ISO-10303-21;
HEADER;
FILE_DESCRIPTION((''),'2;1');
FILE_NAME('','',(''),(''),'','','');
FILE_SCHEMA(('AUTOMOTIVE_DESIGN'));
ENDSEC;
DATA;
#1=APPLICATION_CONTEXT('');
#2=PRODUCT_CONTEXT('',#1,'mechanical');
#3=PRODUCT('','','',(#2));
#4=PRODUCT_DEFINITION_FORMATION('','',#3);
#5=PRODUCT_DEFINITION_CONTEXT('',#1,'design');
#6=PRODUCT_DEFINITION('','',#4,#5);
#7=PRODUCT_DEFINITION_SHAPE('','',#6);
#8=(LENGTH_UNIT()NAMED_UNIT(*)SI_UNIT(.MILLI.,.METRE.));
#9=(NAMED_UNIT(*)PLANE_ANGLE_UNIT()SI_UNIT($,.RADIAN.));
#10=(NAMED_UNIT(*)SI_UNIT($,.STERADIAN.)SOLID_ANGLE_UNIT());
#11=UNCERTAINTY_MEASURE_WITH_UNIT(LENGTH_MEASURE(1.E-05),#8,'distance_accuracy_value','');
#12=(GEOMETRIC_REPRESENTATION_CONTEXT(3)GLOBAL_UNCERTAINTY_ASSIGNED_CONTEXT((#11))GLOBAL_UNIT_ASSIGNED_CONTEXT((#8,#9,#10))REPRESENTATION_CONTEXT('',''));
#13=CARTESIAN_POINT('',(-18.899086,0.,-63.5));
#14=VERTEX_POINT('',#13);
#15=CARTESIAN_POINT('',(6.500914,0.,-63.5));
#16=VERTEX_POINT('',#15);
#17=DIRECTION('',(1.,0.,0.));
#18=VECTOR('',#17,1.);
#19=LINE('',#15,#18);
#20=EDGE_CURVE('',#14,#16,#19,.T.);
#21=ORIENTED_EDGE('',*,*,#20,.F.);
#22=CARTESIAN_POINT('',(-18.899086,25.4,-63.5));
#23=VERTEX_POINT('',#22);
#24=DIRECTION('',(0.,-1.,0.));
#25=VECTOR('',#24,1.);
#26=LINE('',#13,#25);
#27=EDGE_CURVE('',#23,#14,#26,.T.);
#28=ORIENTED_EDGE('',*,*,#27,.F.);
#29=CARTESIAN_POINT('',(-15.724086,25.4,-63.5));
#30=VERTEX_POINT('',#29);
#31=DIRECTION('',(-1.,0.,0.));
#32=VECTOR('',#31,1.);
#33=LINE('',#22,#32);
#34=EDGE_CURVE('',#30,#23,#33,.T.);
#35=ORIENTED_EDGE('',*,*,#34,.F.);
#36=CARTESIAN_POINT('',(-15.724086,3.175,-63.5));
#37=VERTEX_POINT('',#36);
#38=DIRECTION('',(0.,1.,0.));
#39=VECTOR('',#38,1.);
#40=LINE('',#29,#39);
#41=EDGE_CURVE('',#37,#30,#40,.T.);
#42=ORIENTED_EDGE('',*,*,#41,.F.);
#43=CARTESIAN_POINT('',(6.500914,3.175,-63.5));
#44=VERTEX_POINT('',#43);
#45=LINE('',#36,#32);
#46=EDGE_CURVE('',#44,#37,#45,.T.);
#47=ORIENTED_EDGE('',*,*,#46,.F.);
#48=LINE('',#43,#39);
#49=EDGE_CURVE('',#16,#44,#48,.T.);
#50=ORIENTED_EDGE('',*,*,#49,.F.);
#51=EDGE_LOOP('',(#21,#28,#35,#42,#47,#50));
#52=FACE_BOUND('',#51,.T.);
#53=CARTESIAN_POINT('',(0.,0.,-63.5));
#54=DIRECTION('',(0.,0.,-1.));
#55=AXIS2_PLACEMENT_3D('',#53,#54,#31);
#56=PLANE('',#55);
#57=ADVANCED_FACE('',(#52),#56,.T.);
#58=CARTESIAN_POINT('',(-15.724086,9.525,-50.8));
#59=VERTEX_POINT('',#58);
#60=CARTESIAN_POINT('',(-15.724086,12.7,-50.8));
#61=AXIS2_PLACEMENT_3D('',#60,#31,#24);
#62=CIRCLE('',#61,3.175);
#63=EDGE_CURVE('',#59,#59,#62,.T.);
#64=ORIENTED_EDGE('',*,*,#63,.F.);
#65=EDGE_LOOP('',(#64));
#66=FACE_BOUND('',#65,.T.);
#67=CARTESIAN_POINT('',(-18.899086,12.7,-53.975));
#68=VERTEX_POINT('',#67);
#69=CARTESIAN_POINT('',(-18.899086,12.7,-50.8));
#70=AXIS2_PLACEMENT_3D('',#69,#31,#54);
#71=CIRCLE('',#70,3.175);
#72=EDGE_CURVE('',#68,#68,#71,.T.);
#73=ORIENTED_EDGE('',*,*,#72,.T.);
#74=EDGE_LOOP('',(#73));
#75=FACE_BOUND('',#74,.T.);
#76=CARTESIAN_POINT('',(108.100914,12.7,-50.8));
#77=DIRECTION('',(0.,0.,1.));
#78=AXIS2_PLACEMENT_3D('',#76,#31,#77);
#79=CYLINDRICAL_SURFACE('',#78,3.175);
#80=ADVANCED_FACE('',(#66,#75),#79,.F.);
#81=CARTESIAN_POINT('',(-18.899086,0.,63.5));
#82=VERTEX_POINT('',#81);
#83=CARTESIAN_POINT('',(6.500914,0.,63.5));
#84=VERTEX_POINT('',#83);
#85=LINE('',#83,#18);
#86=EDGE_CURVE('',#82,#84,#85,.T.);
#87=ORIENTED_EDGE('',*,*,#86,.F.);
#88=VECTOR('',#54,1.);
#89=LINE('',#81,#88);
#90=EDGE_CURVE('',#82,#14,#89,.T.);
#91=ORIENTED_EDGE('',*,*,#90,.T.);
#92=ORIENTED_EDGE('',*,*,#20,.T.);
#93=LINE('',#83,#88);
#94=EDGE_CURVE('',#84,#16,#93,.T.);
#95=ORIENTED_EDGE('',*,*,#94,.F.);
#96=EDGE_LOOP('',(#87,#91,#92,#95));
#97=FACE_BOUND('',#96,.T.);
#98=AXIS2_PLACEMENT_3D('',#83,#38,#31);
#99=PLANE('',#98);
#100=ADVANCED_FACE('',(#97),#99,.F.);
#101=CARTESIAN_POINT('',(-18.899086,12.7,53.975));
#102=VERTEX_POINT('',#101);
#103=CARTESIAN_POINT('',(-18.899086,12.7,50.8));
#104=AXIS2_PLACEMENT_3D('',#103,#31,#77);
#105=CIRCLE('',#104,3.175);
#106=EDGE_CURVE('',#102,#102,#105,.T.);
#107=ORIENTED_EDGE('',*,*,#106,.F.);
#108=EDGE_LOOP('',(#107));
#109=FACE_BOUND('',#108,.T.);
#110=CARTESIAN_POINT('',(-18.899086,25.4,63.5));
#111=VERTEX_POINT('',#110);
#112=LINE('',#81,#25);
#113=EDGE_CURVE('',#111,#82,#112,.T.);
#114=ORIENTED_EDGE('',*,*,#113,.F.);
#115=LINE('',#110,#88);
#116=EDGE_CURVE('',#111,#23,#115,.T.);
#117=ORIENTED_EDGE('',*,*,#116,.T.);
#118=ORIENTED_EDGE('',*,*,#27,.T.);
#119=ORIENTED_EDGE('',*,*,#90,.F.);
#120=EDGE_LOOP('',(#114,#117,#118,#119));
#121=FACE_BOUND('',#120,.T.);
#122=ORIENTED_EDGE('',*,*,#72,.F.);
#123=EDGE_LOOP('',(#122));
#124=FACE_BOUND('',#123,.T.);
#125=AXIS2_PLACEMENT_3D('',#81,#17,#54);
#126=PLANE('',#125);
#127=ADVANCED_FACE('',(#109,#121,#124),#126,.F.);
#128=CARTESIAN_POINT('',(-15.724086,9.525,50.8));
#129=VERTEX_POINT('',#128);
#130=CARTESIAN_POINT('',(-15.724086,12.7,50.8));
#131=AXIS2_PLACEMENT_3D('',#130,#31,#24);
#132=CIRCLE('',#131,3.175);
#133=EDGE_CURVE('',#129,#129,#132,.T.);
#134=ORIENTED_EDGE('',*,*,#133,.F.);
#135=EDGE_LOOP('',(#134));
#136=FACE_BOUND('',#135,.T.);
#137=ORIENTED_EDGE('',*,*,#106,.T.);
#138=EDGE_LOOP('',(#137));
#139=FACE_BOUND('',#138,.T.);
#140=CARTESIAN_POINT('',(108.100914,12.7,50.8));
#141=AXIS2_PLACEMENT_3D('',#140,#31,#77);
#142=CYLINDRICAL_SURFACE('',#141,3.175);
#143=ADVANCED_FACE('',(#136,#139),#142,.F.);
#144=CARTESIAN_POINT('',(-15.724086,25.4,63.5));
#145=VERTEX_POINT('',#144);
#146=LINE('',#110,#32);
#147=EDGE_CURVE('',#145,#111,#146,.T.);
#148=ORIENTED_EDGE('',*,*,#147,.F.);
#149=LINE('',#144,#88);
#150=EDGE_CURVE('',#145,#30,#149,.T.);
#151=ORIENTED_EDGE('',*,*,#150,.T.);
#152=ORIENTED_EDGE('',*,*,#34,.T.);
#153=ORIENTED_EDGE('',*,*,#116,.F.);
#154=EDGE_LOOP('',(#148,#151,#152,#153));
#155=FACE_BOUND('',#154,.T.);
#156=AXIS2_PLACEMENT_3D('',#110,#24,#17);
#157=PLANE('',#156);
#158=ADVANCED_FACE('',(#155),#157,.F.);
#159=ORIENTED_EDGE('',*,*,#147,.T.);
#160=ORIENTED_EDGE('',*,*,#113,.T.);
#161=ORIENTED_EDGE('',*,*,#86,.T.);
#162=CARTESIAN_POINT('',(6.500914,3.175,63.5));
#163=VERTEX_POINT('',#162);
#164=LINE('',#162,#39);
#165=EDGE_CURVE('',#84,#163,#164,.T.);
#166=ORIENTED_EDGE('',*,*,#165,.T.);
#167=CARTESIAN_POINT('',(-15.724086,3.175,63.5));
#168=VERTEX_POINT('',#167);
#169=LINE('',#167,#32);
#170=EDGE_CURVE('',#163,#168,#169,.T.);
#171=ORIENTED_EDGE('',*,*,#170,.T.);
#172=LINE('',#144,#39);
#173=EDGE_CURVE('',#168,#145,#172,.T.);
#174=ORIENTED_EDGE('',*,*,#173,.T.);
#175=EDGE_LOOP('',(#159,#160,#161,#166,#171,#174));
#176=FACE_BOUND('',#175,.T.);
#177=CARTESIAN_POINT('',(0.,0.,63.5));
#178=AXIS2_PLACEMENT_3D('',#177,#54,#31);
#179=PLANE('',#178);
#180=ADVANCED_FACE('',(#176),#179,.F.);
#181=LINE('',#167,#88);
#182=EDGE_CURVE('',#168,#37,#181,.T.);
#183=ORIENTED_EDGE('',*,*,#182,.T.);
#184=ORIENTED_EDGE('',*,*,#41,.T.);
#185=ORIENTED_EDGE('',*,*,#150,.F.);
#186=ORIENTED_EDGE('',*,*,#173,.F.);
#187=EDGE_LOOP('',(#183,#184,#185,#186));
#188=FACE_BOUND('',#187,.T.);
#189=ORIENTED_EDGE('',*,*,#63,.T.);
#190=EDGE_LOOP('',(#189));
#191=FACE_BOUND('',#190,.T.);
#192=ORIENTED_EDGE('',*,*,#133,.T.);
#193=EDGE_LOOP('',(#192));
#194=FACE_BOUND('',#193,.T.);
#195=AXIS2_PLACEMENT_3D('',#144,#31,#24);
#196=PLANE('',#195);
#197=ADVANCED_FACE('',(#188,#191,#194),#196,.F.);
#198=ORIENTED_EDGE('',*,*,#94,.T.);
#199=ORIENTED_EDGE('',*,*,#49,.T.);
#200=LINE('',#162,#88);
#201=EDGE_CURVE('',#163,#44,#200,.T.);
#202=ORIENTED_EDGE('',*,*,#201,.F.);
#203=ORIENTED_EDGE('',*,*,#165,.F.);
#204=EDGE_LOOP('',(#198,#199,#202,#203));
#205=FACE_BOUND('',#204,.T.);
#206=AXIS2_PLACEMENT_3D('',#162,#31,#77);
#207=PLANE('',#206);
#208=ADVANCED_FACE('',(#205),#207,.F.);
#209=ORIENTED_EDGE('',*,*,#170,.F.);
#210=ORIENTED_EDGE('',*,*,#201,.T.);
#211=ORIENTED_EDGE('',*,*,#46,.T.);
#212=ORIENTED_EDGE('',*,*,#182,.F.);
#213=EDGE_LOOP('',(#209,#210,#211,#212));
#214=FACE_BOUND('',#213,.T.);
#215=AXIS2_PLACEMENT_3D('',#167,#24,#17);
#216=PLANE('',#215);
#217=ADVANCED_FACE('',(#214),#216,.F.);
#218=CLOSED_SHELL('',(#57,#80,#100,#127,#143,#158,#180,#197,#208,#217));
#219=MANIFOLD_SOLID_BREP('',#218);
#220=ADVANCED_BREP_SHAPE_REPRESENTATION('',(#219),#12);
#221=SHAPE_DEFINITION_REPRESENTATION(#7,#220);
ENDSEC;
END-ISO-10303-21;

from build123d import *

# Parameters (mm, degrees)
BOSS_EXTRUDE1_DEPTH = 63.5
SKETCH2_R           = 3.175
CUT_EXTRUDE1_DEPTH  = 127


with BuildPart() as part:
    # Sketch1 → Boss-Extrude1 (new, symmetric)
    with BuildSketch(Plane.XY):
        Polygon((6.500914077, 0), (-18.899085923, 0), (-18.899085923, 25.4), (-15.724085923, 25.4), (-15.724085923, 3.175), (6.500914077, 3.175), align=None)
    extrude(amount=BOSS_EXTRUDE1_DEPTH, both=True)

    # Sketch2 → Cut-Extrude1 (cut)
    with BuildSketch(Plane.ZY.offset(18.899085923)):
        with Locations((50.8, 12.7)):
            Circle(SKETCH2_R)
        with Locations(Location((-50.8, 12.7, 0), (0, 0, 270))):
            Circle(SKETCH2_R)
    extrude(amount=-CUT_EXTRUDE1_DEPTH, mode=Mode.SUBTRACT)


solid = part.part
